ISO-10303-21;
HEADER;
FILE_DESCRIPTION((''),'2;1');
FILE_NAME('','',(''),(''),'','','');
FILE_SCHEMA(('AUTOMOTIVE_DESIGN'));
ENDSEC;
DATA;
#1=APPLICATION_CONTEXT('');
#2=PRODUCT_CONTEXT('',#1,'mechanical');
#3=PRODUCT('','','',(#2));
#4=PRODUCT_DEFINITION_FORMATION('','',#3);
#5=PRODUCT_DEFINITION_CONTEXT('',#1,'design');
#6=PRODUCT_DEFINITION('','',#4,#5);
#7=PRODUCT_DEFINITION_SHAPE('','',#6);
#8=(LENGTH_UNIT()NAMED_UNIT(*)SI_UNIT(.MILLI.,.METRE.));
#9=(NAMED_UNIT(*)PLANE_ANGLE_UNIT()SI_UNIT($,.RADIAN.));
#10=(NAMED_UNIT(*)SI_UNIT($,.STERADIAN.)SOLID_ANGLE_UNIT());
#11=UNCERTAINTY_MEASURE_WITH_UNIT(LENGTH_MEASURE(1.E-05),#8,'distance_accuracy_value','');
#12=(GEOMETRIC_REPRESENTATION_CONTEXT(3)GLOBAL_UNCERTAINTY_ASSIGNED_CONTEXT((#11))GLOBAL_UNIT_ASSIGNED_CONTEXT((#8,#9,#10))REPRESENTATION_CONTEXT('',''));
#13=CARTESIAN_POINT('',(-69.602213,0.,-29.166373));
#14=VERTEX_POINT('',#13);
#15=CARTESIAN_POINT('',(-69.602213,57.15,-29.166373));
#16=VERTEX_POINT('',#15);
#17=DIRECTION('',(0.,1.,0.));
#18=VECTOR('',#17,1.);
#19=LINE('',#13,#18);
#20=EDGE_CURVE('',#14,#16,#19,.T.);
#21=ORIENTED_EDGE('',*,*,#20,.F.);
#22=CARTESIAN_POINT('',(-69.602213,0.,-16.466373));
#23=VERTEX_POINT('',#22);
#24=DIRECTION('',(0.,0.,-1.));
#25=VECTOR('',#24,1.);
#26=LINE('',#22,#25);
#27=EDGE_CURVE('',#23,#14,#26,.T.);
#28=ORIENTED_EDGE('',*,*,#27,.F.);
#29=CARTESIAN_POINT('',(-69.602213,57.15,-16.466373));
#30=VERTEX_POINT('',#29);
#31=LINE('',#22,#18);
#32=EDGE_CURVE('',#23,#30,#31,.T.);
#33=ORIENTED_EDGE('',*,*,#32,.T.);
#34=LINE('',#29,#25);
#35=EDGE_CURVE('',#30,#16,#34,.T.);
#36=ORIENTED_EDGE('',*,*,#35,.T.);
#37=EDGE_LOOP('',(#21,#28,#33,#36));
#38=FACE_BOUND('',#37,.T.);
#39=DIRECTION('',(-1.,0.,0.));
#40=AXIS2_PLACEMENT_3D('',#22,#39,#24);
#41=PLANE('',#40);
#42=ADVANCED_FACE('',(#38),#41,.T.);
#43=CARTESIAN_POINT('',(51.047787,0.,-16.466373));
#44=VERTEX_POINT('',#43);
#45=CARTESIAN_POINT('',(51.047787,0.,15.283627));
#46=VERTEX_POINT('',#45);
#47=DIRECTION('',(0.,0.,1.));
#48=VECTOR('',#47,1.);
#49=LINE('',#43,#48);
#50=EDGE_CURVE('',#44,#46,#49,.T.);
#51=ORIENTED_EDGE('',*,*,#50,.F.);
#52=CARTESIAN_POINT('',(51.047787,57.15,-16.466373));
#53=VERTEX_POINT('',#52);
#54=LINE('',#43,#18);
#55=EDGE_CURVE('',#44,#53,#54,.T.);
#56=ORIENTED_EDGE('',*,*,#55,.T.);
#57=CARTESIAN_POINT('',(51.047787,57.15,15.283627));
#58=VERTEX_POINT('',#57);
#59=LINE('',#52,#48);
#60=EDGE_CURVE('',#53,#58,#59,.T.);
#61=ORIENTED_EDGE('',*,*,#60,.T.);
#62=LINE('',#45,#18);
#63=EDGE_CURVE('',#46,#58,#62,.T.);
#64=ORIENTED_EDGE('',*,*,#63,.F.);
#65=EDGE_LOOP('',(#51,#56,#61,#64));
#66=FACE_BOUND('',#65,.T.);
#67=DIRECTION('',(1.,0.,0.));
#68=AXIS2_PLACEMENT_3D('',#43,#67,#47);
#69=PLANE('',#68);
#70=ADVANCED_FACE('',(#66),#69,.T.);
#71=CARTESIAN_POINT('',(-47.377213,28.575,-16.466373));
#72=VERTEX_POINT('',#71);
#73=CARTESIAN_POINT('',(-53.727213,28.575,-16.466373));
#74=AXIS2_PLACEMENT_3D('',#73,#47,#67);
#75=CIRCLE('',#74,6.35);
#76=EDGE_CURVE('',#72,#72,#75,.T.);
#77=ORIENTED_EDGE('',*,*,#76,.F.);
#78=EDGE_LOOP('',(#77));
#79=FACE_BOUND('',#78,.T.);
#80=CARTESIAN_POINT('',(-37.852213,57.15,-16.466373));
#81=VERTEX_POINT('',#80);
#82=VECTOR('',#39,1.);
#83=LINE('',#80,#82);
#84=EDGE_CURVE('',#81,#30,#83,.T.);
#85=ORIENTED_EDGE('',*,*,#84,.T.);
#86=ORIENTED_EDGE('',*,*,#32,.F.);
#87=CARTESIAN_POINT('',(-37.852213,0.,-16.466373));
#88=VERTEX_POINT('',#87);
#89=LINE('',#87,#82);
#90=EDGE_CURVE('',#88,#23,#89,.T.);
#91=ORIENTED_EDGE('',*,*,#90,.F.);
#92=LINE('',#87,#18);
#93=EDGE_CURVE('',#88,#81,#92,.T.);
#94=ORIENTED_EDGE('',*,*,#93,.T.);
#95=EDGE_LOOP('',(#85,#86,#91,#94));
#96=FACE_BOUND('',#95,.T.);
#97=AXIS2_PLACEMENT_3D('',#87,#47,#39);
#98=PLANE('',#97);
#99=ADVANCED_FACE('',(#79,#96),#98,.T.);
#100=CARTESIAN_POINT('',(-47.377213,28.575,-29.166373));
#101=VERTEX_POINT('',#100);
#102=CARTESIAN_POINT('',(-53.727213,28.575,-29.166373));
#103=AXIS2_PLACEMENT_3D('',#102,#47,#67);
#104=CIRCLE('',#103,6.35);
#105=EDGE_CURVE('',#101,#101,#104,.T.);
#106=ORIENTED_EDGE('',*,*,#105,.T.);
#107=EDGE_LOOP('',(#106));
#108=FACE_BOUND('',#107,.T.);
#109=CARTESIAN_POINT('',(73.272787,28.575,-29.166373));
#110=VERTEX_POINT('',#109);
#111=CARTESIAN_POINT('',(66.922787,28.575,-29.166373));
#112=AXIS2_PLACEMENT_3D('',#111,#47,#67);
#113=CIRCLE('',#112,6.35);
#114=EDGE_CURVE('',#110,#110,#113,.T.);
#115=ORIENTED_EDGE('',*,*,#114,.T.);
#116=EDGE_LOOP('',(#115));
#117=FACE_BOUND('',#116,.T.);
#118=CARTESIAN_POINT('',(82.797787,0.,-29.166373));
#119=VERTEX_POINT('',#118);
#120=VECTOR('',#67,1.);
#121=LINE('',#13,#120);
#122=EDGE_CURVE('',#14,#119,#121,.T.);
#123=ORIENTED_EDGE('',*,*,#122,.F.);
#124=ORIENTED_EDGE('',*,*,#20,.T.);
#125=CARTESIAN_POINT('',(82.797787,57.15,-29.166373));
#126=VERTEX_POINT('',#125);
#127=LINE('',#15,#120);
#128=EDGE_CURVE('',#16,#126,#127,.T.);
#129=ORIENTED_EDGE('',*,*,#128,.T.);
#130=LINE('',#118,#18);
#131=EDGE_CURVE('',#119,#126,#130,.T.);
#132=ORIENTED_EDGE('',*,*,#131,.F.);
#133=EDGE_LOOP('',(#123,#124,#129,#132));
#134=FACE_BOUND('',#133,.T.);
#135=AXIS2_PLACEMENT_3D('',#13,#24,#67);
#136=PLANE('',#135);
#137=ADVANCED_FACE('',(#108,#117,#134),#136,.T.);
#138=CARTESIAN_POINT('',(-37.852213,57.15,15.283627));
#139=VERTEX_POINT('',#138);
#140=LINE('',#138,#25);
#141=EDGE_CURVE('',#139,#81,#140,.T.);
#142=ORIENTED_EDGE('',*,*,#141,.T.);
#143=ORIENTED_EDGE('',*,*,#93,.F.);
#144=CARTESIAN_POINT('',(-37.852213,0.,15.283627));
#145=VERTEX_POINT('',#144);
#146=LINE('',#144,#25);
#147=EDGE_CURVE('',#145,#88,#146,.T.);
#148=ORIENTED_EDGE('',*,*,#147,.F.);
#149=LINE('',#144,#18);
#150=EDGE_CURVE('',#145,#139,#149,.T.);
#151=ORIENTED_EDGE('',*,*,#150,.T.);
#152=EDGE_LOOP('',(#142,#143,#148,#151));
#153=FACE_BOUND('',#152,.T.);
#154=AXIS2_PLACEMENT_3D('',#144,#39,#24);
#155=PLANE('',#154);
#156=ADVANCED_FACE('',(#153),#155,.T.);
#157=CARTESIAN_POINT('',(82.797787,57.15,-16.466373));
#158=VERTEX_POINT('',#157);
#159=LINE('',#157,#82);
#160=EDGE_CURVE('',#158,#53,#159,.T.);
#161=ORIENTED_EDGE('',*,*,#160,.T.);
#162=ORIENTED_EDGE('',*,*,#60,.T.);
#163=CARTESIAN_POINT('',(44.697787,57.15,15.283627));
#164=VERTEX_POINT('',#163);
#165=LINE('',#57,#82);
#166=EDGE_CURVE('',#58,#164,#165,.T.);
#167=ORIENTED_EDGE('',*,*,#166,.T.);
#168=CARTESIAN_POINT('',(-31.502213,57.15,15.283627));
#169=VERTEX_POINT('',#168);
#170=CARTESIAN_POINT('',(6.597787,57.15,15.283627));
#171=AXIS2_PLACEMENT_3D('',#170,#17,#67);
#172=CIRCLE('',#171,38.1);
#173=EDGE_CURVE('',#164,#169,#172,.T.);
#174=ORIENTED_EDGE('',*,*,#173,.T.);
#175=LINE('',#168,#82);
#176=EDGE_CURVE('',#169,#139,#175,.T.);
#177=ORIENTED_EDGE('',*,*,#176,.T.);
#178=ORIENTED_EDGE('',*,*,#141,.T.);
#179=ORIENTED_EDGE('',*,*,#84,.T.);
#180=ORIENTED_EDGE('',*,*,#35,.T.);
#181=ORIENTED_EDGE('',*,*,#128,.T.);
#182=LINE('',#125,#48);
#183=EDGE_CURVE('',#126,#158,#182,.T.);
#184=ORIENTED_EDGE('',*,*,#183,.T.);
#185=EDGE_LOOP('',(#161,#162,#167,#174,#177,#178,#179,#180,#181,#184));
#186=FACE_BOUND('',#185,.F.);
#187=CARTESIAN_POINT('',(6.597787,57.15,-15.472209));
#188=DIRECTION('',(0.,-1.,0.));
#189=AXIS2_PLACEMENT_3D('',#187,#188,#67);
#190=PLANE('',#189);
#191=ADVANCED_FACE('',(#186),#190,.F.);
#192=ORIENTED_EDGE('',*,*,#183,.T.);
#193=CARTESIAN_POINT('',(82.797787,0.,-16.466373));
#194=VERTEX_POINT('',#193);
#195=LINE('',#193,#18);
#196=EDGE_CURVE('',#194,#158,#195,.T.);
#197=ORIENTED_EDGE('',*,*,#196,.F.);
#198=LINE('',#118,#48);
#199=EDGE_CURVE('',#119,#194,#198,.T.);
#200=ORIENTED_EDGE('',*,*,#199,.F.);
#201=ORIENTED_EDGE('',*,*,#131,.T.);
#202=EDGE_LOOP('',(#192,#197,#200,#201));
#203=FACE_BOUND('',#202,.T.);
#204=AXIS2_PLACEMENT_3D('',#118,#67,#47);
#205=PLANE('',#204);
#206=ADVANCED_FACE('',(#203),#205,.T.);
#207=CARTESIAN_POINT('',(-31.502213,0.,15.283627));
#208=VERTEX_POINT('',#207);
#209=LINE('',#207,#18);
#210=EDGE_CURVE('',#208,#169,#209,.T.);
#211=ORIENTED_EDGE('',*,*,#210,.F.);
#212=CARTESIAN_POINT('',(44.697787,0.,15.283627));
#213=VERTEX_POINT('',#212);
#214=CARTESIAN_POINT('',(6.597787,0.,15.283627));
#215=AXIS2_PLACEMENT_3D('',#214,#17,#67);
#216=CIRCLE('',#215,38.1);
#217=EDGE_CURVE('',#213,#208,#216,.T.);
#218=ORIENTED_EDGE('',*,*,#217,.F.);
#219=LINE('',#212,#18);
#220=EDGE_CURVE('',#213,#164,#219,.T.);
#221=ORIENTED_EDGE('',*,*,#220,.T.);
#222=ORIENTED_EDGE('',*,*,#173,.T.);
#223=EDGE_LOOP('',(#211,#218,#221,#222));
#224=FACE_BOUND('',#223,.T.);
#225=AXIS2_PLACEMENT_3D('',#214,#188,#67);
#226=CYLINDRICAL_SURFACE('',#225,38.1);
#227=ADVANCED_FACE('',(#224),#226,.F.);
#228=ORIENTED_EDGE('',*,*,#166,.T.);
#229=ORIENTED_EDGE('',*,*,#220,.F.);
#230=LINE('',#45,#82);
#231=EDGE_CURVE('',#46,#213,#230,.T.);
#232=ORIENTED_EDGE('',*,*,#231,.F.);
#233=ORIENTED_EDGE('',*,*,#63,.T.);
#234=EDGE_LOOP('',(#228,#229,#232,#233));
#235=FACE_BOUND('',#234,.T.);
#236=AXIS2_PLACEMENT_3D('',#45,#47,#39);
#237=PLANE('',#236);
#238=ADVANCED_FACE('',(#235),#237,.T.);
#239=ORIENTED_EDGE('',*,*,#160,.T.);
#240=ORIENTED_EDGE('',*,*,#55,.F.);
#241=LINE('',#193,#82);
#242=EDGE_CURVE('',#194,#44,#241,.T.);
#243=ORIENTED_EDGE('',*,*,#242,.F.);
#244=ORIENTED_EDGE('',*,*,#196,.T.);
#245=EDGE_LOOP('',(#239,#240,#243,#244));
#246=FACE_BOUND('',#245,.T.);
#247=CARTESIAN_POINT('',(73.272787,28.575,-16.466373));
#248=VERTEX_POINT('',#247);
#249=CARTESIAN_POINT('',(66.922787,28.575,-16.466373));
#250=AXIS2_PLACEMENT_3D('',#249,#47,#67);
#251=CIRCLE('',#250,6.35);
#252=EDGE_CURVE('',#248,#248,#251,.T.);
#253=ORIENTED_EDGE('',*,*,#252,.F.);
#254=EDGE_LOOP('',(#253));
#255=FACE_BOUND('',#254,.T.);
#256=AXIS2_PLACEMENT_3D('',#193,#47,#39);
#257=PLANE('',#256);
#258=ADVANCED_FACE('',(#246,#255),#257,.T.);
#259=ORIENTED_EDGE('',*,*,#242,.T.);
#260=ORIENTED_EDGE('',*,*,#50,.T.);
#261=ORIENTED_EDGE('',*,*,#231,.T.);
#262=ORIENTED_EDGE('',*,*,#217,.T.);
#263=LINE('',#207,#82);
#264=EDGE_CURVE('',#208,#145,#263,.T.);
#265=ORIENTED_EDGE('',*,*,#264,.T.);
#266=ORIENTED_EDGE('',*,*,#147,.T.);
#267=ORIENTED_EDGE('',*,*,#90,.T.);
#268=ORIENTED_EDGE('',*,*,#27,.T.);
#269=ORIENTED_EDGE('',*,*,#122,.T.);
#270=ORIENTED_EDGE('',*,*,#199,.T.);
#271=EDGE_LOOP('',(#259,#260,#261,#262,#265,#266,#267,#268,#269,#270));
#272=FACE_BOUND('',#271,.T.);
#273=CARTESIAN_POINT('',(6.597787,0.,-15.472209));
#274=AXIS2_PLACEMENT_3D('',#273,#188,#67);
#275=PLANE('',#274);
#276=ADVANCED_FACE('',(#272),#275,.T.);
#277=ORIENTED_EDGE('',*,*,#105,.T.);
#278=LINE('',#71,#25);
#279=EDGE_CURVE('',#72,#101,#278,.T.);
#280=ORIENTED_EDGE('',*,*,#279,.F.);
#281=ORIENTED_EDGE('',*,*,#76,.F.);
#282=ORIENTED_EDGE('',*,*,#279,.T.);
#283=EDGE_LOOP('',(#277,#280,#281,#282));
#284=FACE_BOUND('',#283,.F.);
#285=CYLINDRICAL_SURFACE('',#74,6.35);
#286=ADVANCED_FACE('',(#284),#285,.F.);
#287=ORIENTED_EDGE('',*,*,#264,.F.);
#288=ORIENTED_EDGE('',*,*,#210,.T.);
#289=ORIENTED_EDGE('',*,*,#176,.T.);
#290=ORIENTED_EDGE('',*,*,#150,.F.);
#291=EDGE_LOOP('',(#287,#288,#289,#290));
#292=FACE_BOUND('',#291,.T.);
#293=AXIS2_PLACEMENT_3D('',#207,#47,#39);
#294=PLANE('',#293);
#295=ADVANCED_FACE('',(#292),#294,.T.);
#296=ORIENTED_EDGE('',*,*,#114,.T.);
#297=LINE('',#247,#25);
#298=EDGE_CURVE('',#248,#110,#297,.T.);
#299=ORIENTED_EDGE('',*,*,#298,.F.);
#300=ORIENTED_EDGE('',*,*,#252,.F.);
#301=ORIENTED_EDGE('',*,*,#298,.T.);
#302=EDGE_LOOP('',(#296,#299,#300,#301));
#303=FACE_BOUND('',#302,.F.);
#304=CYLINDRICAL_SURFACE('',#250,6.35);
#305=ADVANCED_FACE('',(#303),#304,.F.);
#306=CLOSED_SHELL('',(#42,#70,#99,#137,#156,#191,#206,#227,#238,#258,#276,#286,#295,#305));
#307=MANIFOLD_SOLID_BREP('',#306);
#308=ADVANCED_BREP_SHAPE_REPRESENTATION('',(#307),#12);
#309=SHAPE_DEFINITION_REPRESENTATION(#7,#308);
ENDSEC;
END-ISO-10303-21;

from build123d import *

# Parameters (mm, degrees)
F1_DEPTH = 57.15
F2_R     = 6.35
F3_DEPTH = 53.848


with BuildPart() as f1:
    # F0 (on Front) → F1 (new body)
    with BuildSketch(Plane.XZ):
        with BuildLine():
            Line((-37.852213, -16.466373), (-69.602213, -16.466373))
            Line((-69.602213, -16.466373), (-69.602213, -29.166373))
            Line((-69.602213, -29.166373), (82.797787, -29.166373))
            Line((82.797787, -29.166373), (82.797787, -16.466373))
            Line((82.797787, -16.466373), (51.047787, -16.466373))
            Line((51.047787, -16.466373), (51.047787, 15.283627))
            Line((51.047787, 15.283627), (44.697787, 15.283627))
            ThreePointArc((44.697787, 15.283627), (6.597787, -22.816373), (-31.502213, 15.283627))
            Line((-31.502213, 15.283627), (-37.852213, 15.283627))
            Line((-37.852213, 15.283627), (-37.852213, -16.466373))
        make_face()
    extrude(amount=-F1_DEPTH)

    # F2 (on face) → F3 (cut)
    with BuildSketch(Plane.XY.offset(-16.466373)):
        with Locations((-53.727213, 28.575)):
            Circle(F2_R)
        with Locations((66.922787, 28.575)):
            Circle(F2_R)
    extrude(amount=-F3_DEPTH, mode=Mode.SUBTRACT)


solid = f1.part
